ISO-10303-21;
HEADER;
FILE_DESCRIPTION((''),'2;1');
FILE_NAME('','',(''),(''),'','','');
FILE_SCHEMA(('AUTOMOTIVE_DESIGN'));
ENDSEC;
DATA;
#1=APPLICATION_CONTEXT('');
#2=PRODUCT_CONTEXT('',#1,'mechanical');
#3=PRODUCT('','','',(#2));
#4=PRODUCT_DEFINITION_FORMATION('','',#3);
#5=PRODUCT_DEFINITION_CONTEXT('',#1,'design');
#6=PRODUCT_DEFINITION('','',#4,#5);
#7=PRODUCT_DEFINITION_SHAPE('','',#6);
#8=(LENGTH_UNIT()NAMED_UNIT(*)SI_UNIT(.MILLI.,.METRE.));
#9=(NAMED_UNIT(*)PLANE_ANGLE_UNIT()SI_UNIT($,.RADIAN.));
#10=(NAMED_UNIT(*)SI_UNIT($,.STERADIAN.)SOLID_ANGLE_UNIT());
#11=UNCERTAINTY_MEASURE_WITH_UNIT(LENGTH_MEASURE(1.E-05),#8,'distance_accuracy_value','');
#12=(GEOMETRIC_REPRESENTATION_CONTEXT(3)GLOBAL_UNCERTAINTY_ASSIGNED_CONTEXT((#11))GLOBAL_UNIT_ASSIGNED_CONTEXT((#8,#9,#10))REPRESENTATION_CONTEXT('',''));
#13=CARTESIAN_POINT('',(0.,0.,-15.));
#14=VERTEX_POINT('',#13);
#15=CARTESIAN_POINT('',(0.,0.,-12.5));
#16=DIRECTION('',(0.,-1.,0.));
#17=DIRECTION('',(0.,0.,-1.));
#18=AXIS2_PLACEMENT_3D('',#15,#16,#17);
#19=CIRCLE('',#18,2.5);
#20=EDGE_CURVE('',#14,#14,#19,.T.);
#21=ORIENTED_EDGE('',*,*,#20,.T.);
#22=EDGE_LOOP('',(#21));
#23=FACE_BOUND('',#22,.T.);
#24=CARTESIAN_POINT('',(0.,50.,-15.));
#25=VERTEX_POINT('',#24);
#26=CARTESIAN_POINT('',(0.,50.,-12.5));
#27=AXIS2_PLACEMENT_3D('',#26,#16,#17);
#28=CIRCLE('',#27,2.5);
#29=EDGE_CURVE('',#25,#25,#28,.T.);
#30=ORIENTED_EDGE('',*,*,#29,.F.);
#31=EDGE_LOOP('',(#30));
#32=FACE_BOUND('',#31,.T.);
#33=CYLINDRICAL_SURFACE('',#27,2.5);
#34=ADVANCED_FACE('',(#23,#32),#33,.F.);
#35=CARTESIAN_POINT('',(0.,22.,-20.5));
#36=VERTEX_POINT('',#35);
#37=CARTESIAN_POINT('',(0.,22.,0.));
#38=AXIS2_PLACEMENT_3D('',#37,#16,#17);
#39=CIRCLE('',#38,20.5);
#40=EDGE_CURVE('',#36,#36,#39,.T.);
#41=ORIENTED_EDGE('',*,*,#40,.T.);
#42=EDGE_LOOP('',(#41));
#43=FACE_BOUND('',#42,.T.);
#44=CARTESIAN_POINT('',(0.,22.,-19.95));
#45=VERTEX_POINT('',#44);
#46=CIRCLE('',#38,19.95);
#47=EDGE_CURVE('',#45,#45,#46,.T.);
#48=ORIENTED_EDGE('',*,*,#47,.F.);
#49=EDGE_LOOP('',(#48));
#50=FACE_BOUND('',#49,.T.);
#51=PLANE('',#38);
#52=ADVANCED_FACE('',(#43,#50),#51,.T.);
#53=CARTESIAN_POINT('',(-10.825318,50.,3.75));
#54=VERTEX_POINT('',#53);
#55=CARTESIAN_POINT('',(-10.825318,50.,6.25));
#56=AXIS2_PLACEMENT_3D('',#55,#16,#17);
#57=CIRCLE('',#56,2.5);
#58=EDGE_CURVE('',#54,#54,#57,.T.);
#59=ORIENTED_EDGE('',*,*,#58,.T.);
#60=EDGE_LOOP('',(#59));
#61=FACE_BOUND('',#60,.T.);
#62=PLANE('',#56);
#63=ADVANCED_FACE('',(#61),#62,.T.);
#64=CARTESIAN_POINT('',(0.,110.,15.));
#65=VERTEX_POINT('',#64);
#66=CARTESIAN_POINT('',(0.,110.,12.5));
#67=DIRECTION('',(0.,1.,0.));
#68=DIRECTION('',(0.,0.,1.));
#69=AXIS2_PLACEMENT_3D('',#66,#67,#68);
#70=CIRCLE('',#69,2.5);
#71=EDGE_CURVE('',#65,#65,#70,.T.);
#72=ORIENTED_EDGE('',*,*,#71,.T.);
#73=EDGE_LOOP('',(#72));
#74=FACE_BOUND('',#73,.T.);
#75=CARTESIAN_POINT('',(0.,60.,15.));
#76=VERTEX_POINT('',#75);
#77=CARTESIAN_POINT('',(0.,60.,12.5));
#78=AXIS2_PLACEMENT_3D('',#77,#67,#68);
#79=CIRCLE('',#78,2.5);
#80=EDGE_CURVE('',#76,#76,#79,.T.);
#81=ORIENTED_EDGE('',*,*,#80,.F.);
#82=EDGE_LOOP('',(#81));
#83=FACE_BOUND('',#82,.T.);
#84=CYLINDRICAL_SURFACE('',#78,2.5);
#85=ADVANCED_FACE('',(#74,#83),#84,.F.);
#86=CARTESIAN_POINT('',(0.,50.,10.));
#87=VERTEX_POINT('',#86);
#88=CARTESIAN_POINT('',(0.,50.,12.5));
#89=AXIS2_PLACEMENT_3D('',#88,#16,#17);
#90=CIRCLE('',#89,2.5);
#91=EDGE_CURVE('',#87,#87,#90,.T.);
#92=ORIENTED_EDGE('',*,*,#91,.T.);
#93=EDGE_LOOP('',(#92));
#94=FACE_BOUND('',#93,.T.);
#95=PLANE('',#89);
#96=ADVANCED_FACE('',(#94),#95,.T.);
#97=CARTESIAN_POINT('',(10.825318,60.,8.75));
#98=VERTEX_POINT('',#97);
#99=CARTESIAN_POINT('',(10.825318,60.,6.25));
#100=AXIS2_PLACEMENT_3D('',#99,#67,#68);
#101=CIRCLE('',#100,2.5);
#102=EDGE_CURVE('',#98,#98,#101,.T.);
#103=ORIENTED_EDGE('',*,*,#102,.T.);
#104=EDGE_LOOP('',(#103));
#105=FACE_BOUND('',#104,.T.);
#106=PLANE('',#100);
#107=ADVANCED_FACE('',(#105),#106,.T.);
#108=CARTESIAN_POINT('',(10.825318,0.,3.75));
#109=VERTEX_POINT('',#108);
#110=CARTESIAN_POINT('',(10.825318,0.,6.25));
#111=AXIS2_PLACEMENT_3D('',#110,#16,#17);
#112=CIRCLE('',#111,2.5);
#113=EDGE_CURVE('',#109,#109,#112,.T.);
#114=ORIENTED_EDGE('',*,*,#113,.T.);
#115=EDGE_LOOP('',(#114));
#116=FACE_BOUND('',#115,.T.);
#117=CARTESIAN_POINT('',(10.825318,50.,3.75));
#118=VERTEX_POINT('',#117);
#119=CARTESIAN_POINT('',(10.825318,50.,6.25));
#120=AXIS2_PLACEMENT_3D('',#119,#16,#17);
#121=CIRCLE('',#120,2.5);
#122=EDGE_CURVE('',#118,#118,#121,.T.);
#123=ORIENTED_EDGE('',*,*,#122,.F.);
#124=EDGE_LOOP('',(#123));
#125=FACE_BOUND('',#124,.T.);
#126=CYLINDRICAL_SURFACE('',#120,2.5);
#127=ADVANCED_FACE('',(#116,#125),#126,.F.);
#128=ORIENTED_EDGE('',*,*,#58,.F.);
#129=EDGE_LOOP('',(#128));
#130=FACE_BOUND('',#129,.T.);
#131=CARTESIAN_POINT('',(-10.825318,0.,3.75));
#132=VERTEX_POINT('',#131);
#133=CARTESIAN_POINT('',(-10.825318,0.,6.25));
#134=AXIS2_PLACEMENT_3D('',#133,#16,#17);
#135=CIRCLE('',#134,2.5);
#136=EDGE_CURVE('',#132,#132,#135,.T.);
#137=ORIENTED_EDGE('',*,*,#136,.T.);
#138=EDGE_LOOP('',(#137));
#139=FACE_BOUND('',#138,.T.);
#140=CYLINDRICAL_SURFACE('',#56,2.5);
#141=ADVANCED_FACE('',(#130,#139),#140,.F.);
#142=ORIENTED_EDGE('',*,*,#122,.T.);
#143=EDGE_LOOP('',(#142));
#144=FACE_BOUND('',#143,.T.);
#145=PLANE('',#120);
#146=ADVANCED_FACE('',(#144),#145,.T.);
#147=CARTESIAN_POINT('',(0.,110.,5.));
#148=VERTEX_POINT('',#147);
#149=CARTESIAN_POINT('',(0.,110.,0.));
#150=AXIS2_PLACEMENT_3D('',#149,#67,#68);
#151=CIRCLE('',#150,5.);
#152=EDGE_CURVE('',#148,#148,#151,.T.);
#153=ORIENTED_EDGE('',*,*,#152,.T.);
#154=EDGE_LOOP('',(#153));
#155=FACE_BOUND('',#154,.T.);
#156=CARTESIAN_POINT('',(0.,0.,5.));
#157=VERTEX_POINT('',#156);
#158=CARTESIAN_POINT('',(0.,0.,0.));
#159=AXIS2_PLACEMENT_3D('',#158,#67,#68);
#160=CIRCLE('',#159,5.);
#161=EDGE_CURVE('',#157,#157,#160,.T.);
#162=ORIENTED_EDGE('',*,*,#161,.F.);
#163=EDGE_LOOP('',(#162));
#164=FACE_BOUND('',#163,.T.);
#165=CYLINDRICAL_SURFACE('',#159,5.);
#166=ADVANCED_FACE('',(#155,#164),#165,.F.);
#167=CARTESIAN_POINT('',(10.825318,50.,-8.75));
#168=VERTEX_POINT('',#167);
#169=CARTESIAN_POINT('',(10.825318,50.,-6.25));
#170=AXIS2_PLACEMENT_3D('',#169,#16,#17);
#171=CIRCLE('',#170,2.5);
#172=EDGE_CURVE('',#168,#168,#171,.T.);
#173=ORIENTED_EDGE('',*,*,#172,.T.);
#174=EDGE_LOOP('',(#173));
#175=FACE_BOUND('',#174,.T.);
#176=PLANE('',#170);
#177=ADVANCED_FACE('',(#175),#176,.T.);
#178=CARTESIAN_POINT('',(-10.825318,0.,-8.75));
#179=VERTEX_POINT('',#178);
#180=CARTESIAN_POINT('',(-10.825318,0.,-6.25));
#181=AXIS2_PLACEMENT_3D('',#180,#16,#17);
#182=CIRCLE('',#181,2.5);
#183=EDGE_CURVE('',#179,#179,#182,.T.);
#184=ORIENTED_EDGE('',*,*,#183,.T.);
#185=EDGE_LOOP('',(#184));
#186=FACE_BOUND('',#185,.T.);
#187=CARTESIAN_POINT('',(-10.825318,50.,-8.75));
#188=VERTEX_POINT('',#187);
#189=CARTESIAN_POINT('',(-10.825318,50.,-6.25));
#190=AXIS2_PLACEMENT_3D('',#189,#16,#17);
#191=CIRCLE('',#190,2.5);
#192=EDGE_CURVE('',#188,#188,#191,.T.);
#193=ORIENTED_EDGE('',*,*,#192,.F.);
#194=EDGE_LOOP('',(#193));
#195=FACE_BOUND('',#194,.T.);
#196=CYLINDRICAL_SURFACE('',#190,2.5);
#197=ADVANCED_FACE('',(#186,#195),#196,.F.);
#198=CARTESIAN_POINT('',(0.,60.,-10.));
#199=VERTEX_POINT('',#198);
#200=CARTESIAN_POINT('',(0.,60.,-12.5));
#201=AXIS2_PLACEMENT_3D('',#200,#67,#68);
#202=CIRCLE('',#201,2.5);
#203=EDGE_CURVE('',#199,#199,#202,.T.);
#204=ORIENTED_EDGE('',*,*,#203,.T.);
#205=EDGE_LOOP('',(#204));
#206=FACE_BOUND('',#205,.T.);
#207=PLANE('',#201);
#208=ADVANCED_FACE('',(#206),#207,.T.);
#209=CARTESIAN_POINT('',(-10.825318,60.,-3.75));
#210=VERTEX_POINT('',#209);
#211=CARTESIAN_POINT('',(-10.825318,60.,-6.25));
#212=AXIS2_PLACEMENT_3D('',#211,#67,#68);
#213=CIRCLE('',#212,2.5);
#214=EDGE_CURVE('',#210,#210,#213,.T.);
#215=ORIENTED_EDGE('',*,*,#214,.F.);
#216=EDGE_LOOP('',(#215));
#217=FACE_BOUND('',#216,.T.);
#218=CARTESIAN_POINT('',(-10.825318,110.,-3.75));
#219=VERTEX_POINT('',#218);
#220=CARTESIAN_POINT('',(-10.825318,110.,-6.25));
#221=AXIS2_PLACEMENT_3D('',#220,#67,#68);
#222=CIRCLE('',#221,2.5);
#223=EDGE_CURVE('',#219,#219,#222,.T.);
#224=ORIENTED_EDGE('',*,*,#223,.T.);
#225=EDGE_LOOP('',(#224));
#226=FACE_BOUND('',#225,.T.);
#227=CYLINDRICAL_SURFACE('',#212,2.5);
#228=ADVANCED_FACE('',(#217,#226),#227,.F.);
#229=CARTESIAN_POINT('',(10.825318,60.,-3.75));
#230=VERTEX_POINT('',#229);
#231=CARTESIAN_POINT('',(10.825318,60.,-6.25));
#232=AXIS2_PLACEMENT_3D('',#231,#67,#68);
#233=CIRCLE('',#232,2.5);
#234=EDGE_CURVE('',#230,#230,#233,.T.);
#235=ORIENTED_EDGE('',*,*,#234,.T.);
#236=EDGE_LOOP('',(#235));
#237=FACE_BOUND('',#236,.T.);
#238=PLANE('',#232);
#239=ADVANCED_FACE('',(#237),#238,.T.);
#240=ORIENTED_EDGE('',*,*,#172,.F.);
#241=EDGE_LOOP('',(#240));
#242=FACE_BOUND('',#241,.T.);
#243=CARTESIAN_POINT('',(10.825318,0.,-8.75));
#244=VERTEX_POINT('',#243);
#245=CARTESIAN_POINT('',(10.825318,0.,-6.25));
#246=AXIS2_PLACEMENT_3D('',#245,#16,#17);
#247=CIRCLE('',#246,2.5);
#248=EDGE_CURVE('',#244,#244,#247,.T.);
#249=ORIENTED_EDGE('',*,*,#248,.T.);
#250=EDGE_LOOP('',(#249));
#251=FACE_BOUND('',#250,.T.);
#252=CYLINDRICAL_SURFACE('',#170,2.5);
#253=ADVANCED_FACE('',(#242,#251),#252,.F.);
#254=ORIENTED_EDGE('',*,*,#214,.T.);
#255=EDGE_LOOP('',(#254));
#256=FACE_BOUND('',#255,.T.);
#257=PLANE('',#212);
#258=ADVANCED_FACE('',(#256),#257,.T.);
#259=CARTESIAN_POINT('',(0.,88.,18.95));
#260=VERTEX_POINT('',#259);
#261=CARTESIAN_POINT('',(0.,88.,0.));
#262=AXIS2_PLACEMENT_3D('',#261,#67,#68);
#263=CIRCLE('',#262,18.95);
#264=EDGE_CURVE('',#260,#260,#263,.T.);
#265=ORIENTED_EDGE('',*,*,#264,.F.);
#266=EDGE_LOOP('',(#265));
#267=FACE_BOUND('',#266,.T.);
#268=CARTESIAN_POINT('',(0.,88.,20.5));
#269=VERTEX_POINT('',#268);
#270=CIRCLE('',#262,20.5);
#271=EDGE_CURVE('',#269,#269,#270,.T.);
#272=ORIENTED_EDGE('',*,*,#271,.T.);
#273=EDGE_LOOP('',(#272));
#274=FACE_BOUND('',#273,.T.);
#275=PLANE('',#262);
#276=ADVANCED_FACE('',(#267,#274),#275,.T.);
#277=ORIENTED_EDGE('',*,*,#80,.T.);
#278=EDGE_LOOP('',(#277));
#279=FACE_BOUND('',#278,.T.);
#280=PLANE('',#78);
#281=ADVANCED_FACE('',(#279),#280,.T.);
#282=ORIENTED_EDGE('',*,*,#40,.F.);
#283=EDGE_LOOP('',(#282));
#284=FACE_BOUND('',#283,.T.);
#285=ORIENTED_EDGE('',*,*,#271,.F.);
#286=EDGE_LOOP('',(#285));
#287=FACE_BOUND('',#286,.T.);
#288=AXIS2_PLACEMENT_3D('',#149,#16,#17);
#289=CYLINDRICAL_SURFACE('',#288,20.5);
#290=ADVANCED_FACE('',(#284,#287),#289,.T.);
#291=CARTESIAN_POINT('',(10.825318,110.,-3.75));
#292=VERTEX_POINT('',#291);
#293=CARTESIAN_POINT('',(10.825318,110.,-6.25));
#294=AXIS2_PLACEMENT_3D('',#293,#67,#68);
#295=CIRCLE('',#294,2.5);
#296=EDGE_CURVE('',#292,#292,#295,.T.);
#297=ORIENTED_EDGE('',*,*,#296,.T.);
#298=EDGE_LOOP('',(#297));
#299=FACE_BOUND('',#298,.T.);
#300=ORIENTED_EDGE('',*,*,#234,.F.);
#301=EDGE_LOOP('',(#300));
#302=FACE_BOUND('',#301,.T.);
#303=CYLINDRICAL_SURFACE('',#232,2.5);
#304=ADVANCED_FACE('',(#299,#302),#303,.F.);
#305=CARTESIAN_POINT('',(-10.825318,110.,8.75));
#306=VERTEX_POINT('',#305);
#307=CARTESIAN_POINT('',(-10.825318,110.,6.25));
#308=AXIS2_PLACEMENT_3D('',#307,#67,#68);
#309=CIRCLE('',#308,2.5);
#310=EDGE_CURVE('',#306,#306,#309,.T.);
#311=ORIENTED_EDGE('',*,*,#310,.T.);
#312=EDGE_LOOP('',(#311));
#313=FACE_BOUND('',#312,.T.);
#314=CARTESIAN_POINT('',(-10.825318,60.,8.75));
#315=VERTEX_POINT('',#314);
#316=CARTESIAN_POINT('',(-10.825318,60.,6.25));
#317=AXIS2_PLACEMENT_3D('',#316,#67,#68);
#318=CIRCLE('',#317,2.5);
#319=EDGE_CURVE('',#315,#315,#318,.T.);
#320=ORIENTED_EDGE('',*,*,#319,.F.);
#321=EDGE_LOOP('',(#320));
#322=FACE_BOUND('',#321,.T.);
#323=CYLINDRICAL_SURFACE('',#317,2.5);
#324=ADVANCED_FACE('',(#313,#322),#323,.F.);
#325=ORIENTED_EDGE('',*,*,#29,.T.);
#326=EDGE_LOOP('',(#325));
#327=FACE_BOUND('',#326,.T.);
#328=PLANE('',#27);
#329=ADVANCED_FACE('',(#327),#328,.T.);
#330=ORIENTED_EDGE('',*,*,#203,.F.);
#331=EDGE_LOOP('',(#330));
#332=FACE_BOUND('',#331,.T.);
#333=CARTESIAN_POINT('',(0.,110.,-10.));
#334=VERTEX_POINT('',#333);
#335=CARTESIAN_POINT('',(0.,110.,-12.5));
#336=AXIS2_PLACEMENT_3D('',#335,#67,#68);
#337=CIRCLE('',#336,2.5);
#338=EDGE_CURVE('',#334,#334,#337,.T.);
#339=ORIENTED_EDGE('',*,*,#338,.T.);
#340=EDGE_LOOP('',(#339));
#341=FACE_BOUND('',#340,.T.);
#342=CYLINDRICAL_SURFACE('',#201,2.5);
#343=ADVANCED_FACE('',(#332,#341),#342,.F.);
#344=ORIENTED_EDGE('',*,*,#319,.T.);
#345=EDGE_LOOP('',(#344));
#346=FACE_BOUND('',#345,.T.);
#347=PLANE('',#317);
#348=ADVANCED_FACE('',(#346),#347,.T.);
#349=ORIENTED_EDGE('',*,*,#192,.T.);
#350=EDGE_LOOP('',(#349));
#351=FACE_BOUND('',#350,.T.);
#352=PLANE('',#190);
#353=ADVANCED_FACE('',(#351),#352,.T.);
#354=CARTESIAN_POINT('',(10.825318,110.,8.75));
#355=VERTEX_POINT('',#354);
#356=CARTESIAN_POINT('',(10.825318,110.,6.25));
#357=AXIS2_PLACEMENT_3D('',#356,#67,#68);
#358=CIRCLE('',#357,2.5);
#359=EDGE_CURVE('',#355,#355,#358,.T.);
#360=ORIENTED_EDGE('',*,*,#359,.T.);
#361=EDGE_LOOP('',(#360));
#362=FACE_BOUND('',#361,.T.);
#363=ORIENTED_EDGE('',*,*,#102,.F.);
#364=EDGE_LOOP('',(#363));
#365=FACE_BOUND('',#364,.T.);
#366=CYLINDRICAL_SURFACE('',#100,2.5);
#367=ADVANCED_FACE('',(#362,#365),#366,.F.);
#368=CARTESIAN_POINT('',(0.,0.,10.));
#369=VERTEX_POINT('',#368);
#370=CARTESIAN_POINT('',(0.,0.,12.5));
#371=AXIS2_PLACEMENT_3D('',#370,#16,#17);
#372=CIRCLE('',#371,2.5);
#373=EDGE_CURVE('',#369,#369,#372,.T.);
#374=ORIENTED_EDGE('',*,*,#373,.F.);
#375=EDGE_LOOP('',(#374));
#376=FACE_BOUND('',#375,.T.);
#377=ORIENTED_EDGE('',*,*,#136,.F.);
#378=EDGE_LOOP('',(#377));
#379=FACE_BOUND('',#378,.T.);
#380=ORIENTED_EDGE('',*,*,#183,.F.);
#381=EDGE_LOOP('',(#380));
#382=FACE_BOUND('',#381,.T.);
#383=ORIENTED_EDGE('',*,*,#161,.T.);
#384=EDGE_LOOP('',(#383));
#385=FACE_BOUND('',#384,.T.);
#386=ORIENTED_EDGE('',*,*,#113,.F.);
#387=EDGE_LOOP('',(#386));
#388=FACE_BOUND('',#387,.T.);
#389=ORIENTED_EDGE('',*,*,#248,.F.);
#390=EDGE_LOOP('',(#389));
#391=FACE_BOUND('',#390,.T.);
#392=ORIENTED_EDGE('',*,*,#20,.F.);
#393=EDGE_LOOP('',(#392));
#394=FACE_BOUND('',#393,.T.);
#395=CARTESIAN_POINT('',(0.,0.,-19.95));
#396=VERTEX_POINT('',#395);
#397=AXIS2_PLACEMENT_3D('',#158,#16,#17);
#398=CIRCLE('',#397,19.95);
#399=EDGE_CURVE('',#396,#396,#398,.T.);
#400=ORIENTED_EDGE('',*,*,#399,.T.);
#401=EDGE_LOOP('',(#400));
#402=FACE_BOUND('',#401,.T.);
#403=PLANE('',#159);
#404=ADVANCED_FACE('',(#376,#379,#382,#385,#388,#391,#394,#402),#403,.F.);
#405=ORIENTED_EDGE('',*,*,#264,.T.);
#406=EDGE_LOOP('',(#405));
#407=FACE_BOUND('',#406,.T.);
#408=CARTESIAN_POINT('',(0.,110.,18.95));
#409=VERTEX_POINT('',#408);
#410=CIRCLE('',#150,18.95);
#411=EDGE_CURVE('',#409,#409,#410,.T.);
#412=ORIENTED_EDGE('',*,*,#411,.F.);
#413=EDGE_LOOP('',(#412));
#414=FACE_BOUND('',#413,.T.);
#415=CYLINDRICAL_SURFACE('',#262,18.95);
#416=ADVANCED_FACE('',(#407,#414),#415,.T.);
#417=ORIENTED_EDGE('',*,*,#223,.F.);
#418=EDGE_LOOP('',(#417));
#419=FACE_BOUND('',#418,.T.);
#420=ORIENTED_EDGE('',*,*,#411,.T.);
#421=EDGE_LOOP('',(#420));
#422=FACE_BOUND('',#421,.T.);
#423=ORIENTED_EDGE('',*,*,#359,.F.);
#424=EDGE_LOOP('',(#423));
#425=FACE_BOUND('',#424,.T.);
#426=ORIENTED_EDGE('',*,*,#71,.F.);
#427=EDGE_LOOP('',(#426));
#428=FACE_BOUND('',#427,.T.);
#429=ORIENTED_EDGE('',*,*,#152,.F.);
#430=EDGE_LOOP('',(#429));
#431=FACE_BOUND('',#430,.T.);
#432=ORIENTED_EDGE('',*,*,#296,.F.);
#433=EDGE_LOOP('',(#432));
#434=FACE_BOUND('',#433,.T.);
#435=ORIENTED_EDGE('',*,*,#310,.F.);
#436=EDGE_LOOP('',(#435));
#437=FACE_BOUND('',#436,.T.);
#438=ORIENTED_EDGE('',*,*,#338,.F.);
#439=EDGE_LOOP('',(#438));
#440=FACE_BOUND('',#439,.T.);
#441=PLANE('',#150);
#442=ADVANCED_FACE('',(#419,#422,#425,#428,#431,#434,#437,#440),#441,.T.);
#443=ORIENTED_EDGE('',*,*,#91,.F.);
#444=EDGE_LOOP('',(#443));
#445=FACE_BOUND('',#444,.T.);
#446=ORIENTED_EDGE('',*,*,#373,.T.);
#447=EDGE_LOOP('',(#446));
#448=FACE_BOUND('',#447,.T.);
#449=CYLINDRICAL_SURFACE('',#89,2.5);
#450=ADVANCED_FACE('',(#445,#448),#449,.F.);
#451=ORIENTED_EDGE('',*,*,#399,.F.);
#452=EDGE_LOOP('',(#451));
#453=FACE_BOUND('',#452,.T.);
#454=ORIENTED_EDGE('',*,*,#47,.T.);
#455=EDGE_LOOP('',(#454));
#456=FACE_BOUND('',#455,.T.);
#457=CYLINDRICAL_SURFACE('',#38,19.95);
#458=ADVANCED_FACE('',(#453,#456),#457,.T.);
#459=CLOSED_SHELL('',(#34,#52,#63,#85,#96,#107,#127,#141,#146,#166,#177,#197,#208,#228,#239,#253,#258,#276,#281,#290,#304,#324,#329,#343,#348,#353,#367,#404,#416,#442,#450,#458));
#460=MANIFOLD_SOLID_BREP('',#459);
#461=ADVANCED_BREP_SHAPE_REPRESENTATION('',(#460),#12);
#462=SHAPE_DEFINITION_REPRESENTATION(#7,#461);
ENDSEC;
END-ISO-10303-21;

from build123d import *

# Parameters (mm, degrees)
ESQUISSE1_R             = 20.5
BOSS_EXTRU_1_DEPTH      = 110
ESQUISSE2_OUTSIDE_W     = 67.87
ESQUISSE2_OUTSIDE_H     = 67.87
ESQUISSE2_OUTSIDE_R     = 18.95
ENL_V_MAT_EXTRU_1_DEPTH = 22
ESQUISSE3_OUTSIDE_W     = 67.87
ESQUISSE3_OUTSIDE_H     = 67.87
ESQUISSE3_OUTSIDE_R     = 19.95
ENL_V_MAT_EXTRU_2_DEPTH = 22
ESQUISSE5_R             = 5
ENL_V_MAT_EXTRU_3_DEPTH = 111
ESQUISSE6_R             = 2.5
ENL_V_MAT_EXTRU_4_DEPTH = 50
ESQUISSE7_R             = 2.5
ENL_V_MAT_EXTRU_5_DEPTH = 50


with BuildPart() as part:
    # Esquisse1 → Boss.-Extru.1 (new body)
    with BuildSketch(Plane(origin=(0, 0, 0), x_dir=(1, 0, 0), z_dir=(0, 1, 0))):
        Circle(ESQUISSE1_R)
    extrude(amount=BOSS_EXTRU_1_DEPTH)

    # Esquisse2 outside → Enlèv. mat.-Extru.1 (cut)
    with BuildSketch(Plane(origin=(0, 110, 0), x_dir=(1, 0, 0), z_dir=(0, 1, 0))):
        Rectangle(ESQUISSE2_OUTSIDE_W, ESQUISSE2_OUTSIDE_H)
        Circle(ESQUISSE2_OUTSIDE_R, mode=Mode.SUBTRACT)
    extrude(amount=-ENL_V_MAT_EXTRU_1_DEPTH, mode=Mode.SUBTRACT)

    # Esquisse3 outside → Enlèv. mat.-Extru.2 (cut)
    with BuildSketch(Plane.XZ):
        Rectangle(ESQUISSE3_OUTSIDE_W, ESQUISSE3_OUTSIDE_H)
        Circle(ESQUISSE3_OUTSIDE_R, mode=Mode.SUBTRACT)
    extrude(amount=-ENL_V_MAT_EXTRU_2_DEPTH, mode=Mode.SUBTRACT)

    # Esquisse5 → Enlèv. mat.-Extru.3 (cut, through all)
    with BuildSketch(Plane(origin=(0, 110, 0), x_dir=(1, 0, 0), z_dir=(0, 1, 0))):
        Circle(ESQUISSE5_R)
    extrude(amount=-ENL_V_MAT_EXTRU_3_DEPTH, mode=Mode.SUBTRACT)

    # Esquisse6 → Enlèv. mat.-Extru.4 (cut)
    with BuildSketch(Plane(origin=(0, 110, 0), x_dir=(1, 0, 0), z_dir=(0, 1, 0))):
        with Locations((0, -12.5)):
            Circle(ESQUISSE6_R)
        with Locations((-10.825317547, -6.25)):
            Circle(ESQUISSE6_R)
        with Locations((-10.825317547, 6.25)):
            Circle(ESQUISSE6_R)
        with Locations((0, 12.5)):
            Circle(ESQUISSE6_R)
        with Locations((10.825317547, 6.25)):
            Circle(ESQUISSE6_R)
        with Locations((10.825317547, -6.25)):
            Circle(ESQUISSE6_R)
    extrude(amount=-ENL_V_MAT_EXTRU_4_DEPTH, mode=Mode.SUBTRACT)

    # Esquisse7 → Enlèv. mat.-Extru.5 (cut)
    with BuildSketch(Plane.XZ):
        with Locations((10.825317547, -6.25)):
            Circle(ESQUISSE7_R)
        with Locations((0, -12.5)):
            Circle(ESQUISSE7_R)
        with Locations((-10.825317547, -6.25)):
            Circle(ESQUISSE7_R)
        with Locations((-10.825317547, 6.25)):
            Circle(ESQUISSE7_R)
        with Locations((0, 12.5)):
            Circle(ESQUISSE7_R)
        with Locations((10.825317547, 6.25)):
            Circle(ESQUISSE7_R)
    extrude(amount=-ENL_V_MAT_EXTRU_5_DEPTH, mode=Mode.SUBTRACT)


solid = part.part
